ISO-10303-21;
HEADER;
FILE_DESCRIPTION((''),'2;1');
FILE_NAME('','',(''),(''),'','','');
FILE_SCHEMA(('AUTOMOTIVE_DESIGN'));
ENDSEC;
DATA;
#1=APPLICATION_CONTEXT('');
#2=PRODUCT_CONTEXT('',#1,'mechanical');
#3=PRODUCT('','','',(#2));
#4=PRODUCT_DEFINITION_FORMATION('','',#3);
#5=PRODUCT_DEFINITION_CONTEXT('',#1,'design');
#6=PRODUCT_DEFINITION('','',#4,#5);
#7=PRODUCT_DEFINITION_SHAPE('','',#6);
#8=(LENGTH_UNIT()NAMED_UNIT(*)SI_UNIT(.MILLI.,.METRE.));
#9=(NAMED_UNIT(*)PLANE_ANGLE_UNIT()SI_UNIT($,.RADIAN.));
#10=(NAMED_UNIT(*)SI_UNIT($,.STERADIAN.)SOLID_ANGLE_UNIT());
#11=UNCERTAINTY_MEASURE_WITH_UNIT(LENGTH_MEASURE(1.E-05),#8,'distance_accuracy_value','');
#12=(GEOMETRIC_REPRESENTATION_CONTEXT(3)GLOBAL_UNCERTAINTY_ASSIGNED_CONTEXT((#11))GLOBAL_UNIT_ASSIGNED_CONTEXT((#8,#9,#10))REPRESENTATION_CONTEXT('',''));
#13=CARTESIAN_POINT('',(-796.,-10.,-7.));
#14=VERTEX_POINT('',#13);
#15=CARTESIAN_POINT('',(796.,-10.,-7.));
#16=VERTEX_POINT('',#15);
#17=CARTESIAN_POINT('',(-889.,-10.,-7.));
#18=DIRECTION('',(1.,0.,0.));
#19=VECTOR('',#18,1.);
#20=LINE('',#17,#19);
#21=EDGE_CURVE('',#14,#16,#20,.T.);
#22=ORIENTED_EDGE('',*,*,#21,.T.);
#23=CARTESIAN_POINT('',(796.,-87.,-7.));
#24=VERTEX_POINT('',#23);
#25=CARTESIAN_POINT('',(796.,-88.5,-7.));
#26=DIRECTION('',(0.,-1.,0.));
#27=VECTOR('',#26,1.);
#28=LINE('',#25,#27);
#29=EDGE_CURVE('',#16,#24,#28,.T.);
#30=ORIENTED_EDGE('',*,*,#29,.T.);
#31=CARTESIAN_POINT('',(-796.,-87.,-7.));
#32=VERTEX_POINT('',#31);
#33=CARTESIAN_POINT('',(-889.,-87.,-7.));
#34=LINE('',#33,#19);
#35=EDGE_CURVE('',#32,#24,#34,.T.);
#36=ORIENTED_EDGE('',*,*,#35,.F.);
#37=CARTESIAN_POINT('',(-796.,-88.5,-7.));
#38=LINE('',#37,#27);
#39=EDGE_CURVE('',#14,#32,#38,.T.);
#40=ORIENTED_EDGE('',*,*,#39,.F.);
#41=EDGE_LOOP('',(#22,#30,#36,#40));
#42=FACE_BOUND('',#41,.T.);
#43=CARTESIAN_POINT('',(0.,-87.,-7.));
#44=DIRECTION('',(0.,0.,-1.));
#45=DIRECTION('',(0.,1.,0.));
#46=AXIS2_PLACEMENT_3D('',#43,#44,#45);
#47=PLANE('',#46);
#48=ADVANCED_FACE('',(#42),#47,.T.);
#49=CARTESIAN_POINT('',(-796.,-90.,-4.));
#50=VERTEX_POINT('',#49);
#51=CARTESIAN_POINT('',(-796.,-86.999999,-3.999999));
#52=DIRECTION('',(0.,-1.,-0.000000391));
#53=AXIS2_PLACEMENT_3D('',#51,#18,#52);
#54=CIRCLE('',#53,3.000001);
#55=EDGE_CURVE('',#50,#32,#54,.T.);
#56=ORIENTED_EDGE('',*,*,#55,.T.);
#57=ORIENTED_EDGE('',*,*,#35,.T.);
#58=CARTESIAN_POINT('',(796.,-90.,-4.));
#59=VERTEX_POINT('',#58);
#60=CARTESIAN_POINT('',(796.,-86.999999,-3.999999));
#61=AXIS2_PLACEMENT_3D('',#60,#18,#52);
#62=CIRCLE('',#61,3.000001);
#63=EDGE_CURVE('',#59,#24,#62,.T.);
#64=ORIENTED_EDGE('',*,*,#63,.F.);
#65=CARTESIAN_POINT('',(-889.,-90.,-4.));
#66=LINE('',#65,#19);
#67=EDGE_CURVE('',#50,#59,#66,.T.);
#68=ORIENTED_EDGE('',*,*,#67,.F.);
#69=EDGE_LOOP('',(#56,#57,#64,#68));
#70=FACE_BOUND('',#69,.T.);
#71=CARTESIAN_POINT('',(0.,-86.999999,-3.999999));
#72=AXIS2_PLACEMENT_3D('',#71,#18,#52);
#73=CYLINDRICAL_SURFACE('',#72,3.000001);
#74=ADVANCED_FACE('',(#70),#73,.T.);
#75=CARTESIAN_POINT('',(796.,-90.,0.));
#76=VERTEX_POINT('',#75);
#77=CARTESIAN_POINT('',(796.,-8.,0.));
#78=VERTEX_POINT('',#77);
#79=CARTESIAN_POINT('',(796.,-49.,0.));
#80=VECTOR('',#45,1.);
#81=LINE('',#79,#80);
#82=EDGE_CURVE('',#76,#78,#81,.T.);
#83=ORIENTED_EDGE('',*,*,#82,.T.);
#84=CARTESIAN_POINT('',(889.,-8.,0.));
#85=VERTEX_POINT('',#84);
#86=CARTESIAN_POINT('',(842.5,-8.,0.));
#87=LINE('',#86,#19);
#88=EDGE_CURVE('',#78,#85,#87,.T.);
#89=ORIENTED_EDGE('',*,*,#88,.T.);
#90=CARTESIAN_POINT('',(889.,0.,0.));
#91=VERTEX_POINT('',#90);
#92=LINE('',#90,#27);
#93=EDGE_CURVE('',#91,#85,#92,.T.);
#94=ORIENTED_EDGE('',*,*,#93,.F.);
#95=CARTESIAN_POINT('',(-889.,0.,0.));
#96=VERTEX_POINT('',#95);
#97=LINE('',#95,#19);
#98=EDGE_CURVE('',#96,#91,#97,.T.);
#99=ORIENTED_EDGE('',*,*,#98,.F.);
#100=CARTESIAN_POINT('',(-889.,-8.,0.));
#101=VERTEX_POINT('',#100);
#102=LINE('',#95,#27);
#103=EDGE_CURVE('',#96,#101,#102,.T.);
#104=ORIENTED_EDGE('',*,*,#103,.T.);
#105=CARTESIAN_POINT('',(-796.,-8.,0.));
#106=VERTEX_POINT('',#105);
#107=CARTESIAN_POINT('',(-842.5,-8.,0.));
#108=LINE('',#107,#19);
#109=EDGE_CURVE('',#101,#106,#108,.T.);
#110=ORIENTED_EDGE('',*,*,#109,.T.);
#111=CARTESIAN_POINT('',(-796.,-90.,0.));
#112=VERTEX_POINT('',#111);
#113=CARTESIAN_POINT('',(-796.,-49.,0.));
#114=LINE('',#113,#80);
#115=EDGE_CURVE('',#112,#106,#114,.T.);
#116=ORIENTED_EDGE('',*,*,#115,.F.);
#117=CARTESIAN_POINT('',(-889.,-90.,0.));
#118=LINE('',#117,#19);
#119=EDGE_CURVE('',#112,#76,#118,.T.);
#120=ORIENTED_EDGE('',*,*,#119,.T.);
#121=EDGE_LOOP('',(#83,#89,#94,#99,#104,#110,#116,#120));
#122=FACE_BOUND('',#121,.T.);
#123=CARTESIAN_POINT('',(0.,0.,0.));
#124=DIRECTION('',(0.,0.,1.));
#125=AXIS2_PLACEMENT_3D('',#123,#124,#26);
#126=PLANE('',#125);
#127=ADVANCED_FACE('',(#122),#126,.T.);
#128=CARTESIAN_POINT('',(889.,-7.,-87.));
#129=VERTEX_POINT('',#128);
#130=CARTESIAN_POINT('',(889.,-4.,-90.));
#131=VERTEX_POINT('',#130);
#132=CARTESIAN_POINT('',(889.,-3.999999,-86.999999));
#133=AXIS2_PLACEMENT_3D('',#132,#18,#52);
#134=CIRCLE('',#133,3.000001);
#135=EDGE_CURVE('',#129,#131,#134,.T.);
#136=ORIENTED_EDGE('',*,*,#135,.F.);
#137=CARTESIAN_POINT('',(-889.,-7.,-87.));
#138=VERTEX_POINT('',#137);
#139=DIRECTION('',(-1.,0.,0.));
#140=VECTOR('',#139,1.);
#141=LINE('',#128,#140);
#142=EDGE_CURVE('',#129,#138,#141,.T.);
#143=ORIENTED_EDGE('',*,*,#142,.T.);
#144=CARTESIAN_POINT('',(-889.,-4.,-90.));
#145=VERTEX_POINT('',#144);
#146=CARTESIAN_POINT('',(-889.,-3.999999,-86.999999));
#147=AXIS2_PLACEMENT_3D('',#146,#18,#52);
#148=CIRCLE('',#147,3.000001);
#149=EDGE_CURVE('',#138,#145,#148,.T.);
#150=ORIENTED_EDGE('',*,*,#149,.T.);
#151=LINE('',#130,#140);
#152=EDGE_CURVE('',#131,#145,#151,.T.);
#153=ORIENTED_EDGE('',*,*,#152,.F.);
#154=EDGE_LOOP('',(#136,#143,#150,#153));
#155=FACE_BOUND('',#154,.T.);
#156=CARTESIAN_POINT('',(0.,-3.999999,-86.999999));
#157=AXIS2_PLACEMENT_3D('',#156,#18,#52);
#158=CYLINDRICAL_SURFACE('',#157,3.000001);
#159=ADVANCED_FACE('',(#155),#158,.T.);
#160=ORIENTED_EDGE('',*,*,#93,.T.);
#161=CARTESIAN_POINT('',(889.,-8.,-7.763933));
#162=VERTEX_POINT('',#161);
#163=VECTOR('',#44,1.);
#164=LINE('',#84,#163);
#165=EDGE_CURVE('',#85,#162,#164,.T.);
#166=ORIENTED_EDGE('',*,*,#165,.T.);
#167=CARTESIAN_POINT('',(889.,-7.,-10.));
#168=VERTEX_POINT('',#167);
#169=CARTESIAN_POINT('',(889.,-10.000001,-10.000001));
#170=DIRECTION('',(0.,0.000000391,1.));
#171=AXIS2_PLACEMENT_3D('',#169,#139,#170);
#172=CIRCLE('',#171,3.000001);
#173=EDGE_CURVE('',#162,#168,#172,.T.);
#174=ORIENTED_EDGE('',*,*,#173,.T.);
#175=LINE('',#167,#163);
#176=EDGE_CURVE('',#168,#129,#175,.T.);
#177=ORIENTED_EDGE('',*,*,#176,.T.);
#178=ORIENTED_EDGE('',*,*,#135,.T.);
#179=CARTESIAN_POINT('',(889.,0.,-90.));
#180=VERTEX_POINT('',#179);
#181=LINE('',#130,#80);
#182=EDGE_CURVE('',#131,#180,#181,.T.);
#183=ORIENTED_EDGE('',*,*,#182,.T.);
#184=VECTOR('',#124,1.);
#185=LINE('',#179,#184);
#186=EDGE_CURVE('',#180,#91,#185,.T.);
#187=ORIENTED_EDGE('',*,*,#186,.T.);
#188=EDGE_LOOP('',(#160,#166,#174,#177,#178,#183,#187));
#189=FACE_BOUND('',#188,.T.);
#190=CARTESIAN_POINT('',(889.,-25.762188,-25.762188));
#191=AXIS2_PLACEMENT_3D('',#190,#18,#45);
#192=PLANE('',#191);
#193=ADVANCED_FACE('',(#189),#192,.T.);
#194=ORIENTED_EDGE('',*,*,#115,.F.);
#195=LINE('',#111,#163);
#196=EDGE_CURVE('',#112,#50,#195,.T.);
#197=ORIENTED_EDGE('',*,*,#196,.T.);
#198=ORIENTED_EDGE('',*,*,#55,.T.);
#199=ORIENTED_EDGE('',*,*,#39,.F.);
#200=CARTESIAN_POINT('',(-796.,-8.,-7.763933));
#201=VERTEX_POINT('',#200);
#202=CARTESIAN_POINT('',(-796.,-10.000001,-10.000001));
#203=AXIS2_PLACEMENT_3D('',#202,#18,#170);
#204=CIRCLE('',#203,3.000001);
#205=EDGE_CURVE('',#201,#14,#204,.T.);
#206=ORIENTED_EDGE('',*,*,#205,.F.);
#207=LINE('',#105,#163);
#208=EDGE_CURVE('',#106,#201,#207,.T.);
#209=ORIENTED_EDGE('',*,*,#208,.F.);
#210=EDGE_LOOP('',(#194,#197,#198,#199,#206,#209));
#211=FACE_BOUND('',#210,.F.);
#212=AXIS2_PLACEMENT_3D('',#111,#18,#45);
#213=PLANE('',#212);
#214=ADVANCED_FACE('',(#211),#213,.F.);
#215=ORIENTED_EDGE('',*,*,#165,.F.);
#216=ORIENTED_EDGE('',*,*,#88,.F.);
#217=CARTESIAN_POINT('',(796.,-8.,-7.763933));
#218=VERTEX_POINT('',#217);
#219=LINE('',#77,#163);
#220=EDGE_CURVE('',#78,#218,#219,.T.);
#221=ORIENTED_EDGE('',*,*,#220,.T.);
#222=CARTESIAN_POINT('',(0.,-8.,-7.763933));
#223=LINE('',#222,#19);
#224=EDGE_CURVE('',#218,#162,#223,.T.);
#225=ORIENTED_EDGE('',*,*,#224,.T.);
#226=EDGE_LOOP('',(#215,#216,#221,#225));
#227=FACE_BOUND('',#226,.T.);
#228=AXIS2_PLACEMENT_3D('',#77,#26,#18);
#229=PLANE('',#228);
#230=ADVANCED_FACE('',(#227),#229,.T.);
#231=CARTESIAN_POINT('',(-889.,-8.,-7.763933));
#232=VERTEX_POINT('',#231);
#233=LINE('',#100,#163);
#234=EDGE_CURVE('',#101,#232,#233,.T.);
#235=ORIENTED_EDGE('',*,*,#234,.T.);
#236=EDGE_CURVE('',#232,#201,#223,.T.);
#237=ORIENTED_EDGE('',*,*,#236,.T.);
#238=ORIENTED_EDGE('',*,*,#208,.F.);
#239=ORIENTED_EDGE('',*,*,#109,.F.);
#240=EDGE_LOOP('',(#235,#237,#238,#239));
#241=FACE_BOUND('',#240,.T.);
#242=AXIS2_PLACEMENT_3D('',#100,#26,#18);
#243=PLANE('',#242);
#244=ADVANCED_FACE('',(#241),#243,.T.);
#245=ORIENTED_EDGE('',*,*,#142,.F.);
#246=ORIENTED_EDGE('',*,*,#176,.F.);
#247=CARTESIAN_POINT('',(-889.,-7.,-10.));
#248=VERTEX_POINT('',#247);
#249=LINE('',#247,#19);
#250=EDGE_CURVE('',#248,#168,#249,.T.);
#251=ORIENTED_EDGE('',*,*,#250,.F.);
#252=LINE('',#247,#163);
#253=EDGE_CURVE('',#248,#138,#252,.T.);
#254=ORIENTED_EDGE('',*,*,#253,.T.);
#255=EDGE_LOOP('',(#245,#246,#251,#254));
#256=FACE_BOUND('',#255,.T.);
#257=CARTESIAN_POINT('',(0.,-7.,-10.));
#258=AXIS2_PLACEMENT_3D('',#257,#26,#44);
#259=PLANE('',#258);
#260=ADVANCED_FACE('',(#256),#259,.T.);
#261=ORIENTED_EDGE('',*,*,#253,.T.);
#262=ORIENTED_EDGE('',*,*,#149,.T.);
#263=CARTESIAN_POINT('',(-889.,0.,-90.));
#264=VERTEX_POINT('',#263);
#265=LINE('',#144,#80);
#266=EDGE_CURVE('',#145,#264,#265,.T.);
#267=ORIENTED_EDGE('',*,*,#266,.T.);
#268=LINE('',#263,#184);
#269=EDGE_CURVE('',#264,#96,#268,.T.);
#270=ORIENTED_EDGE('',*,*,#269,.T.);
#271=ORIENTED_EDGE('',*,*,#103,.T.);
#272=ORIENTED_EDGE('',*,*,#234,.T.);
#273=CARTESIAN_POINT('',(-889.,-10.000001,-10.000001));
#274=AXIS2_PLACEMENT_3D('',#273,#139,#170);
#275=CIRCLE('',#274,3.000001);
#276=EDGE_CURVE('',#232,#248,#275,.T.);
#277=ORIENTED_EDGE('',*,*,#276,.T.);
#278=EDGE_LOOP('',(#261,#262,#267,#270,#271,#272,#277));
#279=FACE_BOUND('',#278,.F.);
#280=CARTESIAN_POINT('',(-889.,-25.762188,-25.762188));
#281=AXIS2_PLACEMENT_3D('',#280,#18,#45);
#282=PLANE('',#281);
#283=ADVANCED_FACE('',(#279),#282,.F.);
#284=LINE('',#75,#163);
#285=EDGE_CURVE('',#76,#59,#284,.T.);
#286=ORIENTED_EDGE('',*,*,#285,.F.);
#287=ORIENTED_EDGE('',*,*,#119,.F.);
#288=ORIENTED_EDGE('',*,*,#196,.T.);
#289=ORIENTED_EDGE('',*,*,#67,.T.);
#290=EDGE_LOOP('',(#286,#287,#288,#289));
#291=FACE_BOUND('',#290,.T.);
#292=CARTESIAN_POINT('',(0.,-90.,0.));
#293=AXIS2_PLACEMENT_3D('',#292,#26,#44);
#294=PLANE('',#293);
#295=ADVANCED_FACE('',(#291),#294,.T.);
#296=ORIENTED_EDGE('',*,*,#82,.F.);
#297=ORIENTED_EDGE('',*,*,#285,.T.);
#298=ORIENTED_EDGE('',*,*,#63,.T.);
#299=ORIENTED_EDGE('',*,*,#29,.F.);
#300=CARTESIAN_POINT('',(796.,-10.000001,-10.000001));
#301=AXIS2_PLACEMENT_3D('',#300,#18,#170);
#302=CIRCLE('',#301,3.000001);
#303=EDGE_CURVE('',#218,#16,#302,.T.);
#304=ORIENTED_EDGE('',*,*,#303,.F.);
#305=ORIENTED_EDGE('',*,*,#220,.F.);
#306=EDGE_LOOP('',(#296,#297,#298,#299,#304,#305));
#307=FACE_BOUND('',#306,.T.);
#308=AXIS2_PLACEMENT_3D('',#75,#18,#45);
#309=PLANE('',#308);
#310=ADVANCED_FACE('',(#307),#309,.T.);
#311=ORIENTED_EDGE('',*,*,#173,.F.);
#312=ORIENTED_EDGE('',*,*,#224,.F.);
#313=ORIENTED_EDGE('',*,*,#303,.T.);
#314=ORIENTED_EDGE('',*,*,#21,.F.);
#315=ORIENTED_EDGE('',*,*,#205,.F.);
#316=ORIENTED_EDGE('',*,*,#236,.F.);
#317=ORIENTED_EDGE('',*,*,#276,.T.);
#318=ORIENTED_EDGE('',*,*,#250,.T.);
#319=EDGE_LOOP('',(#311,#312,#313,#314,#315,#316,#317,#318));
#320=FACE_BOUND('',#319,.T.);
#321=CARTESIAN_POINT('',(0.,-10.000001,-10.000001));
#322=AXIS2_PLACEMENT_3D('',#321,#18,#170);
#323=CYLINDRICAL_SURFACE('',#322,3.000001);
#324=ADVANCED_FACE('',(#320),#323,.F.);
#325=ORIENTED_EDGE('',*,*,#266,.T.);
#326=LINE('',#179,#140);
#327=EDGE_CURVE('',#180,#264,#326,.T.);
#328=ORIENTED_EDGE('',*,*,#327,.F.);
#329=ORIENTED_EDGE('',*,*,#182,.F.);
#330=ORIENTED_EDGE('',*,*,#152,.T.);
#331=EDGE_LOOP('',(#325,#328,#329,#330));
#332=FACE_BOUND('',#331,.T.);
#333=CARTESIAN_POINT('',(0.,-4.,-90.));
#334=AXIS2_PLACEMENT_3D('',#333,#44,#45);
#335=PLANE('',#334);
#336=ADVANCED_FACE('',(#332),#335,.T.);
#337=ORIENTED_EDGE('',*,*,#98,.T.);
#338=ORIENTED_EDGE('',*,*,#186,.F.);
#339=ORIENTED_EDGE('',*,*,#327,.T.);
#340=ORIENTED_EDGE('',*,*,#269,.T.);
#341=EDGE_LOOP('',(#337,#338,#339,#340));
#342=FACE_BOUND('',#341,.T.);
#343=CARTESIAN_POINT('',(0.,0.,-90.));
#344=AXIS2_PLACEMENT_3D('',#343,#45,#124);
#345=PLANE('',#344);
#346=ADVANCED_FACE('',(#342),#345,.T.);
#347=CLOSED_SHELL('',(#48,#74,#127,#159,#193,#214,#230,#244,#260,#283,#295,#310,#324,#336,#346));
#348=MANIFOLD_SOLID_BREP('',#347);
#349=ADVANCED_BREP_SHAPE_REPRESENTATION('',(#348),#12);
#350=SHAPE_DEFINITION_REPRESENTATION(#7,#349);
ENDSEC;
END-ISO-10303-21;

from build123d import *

# Parameters (mm, degrees)
F1_DEPTH = 889
F2_W     = 93
F2_H     = 82
F3_DEPTH = 25


with BuildPart() as f1:
    # F0 (on Right) → F1 (new body, symmetric)
    with BuildSketch(Plane.YZ):
        with BuildLine():
            Line((0, -90), (0, 0))
            Line((0, 0), (-90, 0))
            Line((-90, 0), (-90, -4))
            ThreePointArc((-90, -4), (-89.12132, -6.12132), (-87, -7))
            Line((-87, -7), (-10, -7))
            ThreePointArc((-10, -7), (-7.87868, -7.87868), (-7, -10))
            Line((-7, -10), (-7, -87))
            ThreePointArc((-7, -87), (-6.12132, -89.12132), (-4, -90))
            Line((-4, -90), (0, -90))
        make_face()
    extrude(amount=F1_DEPTH, both=True)

    # F2 (on face) → F3 (cut)
    with BuildSketch(Plane.XY):
        with Locations((842.5, -49)):
            Rectangle(F2_W, F2_H)
        with Locations((-842.5, -49)):
            Rectangle(F2_W, F2_H)
    extrude(amount=-F3_DEPTH, mode=Mode.SUBTRACT)


solid = f1.part
